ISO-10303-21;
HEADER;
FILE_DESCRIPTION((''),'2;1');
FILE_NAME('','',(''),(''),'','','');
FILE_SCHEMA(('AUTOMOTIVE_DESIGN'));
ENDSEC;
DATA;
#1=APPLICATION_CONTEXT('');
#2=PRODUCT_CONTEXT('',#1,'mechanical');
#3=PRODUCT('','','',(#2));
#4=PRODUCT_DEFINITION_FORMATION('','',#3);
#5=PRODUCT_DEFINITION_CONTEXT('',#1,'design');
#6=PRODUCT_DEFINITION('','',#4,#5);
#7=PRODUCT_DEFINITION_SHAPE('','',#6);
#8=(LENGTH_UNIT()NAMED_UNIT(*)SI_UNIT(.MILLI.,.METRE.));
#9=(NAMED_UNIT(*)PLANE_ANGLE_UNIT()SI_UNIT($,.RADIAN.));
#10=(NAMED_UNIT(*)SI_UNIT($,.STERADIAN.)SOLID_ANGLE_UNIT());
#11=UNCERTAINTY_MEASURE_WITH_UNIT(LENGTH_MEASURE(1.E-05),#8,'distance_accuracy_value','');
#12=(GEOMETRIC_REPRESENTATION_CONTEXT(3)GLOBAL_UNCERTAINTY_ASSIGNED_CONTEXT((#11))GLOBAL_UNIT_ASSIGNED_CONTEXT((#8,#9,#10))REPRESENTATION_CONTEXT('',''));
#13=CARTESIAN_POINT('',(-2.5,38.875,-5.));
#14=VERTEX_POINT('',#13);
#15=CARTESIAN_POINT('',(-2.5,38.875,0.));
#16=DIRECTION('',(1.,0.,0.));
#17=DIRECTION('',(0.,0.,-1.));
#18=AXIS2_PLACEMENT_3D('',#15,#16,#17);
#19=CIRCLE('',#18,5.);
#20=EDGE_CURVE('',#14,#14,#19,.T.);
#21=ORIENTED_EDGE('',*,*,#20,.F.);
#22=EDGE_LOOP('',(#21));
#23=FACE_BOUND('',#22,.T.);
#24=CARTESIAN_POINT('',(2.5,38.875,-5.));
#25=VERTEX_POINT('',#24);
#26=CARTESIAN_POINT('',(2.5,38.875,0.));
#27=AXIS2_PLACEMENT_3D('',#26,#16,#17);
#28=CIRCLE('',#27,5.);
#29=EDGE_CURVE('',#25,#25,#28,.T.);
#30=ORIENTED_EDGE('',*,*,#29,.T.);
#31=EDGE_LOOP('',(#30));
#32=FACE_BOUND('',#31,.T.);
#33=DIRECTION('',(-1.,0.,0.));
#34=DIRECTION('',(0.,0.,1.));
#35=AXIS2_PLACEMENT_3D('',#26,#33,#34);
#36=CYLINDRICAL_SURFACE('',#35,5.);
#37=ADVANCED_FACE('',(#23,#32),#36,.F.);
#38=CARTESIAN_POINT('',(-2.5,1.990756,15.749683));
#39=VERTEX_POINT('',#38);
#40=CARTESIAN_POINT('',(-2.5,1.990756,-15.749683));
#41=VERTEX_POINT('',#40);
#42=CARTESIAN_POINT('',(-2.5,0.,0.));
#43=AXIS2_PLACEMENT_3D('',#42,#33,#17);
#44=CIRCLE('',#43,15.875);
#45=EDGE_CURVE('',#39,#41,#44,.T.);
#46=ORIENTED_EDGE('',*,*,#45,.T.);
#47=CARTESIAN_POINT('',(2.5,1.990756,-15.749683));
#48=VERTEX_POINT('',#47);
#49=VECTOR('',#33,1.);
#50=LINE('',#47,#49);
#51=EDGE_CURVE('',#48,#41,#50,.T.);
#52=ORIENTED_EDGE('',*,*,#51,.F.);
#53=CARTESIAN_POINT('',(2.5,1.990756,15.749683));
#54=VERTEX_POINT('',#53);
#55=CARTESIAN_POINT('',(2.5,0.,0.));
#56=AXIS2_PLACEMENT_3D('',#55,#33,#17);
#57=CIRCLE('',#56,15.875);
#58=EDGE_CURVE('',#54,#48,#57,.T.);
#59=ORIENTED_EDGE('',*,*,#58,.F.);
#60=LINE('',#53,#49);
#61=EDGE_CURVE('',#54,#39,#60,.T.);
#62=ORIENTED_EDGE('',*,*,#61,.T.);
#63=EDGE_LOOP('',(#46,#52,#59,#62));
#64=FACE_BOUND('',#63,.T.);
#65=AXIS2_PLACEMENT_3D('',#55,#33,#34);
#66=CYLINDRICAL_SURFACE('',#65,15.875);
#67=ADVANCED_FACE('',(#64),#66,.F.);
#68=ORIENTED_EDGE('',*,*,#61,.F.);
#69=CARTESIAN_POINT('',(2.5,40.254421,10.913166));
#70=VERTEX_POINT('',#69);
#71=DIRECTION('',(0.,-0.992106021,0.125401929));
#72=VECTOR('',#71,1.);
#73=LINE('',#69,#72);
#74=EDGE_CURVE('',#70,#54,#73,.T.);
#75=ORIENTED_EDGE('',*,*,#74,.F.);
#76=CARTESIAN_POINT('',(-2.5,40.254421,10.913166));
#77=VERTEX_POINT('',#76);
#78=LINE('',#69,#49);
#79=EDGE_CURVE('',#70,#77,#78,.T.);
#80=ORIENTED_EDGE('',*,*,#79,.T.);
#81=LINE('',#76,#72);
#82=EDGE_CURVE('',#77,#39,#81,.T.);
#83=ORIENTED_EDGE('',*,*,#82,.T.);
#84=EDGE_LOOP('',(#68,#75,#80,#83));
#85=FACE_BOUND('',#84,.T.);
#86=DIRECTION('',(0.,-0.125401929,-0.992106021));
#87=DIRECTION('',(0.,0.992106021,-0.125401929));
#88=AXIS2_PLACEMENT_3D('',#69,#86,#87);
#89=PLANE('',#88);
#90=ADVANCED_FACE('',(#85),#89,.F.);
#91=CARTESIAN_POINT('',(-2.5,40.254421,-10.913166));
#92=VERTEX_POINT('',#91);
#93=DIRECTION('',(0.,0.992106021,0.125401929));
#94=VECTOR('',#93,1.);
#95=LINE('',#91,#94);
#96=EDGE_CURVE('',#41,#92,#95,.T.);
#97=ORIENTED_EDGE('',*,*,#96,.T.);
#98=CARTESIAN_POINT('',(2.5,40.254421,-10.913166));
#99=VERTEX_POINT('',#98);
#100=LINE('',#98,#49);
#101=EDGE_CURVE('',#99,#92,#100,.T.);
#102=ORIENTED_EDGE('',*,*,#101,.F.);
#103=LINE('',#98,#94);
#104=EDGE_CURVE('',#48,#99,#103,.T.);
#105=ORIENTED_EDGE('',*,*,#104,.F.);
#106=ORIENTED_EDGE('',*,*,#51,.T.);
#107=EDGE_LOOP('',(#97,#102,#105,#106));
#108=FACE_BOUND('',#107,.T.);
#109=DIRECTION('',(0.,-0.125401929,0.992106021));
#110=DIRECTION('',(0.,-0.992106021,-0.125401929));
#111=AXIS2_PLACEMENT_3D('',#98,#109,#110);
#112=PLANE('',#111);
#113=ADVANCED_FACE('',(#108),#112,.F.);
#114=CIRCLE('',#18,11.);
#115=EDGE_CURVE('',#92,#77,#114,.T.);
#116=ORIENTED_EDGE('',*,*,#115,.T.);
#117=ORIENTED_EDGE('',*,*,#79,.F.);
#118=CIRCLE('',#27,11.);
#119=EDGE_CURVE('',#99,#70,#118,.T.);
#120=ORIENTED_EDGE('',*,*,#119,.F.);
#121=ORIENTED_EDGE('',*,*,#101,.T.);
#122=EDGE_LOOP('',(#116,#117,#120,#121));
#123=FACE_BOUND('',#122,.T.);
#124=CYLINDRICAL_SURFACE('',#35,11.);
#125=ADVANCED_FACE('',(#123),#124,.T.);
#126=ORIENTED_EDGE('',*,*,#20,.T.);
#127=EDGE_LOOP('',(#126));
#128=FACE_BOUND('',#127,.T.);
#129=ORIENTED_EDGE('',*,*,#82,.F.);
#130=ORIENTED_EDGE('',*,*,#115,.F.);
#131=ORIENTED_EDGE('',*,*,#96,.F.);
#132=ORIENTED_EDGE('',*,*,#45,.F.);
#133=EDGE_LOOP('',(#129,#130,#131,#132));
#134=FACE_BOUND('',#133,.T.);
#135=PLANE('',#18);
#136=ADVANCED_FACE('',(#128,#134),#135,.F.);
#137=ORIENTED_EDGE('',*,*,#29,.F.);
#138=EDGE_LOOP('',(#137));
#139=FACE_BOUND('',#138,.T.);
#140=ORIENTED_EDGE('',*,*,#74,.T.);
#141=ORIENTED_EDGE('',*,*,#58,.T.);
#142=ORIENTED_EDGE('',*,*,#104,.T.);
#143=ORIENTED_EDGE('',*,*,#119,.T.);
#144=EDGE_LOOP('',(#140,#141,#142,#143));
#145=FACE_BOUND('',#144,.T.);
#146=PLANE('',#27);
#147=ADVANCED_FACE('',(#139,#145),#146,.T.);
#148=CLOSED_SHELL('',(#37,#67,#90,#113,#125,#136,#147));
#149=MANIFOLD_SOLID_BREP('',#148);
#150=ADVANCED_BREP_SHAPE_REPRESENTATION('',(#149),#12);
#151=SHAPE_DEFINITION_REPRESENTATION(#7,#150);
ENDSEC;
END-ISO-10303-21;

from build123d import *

# Parameters (mm, degrees)
SKETCH2_R           = 5
BOSS_EXTRUDE1_DEPTH = 2.5


with BuildPart() as part:
    # Sketch2 → Boss-Extrude1 (new, symmetric)
    with BuildSketch(Plane(origin=(0, 0, 0), x_dir=(0, 0, -1), z_dir=(1, 0, 0))):
        with BuildLine():
            Line((-10.913166227, 40.254421222), (-15.749683077, 1.990755627))
            ThreePointArc((-15.749683077, 1.990755627), (0, 15.875), (15.749683077, 1.990755627))
            Line((15.749683077, 1.990755627), (10.913166227, 40.254421222))
            ThreePointArc((10.913166227, 40.254421222), (0, 49.875), (-10.913166227, 40.254421222))
        make_face()
        with Locations((0, 38.875)):
            Circle(SKETCH2_R, mode=Mode.SUBTRACT)
    extrude(amount=BOSS_EXTRUDE1_DEPTH, both=True)


solid = part.part
